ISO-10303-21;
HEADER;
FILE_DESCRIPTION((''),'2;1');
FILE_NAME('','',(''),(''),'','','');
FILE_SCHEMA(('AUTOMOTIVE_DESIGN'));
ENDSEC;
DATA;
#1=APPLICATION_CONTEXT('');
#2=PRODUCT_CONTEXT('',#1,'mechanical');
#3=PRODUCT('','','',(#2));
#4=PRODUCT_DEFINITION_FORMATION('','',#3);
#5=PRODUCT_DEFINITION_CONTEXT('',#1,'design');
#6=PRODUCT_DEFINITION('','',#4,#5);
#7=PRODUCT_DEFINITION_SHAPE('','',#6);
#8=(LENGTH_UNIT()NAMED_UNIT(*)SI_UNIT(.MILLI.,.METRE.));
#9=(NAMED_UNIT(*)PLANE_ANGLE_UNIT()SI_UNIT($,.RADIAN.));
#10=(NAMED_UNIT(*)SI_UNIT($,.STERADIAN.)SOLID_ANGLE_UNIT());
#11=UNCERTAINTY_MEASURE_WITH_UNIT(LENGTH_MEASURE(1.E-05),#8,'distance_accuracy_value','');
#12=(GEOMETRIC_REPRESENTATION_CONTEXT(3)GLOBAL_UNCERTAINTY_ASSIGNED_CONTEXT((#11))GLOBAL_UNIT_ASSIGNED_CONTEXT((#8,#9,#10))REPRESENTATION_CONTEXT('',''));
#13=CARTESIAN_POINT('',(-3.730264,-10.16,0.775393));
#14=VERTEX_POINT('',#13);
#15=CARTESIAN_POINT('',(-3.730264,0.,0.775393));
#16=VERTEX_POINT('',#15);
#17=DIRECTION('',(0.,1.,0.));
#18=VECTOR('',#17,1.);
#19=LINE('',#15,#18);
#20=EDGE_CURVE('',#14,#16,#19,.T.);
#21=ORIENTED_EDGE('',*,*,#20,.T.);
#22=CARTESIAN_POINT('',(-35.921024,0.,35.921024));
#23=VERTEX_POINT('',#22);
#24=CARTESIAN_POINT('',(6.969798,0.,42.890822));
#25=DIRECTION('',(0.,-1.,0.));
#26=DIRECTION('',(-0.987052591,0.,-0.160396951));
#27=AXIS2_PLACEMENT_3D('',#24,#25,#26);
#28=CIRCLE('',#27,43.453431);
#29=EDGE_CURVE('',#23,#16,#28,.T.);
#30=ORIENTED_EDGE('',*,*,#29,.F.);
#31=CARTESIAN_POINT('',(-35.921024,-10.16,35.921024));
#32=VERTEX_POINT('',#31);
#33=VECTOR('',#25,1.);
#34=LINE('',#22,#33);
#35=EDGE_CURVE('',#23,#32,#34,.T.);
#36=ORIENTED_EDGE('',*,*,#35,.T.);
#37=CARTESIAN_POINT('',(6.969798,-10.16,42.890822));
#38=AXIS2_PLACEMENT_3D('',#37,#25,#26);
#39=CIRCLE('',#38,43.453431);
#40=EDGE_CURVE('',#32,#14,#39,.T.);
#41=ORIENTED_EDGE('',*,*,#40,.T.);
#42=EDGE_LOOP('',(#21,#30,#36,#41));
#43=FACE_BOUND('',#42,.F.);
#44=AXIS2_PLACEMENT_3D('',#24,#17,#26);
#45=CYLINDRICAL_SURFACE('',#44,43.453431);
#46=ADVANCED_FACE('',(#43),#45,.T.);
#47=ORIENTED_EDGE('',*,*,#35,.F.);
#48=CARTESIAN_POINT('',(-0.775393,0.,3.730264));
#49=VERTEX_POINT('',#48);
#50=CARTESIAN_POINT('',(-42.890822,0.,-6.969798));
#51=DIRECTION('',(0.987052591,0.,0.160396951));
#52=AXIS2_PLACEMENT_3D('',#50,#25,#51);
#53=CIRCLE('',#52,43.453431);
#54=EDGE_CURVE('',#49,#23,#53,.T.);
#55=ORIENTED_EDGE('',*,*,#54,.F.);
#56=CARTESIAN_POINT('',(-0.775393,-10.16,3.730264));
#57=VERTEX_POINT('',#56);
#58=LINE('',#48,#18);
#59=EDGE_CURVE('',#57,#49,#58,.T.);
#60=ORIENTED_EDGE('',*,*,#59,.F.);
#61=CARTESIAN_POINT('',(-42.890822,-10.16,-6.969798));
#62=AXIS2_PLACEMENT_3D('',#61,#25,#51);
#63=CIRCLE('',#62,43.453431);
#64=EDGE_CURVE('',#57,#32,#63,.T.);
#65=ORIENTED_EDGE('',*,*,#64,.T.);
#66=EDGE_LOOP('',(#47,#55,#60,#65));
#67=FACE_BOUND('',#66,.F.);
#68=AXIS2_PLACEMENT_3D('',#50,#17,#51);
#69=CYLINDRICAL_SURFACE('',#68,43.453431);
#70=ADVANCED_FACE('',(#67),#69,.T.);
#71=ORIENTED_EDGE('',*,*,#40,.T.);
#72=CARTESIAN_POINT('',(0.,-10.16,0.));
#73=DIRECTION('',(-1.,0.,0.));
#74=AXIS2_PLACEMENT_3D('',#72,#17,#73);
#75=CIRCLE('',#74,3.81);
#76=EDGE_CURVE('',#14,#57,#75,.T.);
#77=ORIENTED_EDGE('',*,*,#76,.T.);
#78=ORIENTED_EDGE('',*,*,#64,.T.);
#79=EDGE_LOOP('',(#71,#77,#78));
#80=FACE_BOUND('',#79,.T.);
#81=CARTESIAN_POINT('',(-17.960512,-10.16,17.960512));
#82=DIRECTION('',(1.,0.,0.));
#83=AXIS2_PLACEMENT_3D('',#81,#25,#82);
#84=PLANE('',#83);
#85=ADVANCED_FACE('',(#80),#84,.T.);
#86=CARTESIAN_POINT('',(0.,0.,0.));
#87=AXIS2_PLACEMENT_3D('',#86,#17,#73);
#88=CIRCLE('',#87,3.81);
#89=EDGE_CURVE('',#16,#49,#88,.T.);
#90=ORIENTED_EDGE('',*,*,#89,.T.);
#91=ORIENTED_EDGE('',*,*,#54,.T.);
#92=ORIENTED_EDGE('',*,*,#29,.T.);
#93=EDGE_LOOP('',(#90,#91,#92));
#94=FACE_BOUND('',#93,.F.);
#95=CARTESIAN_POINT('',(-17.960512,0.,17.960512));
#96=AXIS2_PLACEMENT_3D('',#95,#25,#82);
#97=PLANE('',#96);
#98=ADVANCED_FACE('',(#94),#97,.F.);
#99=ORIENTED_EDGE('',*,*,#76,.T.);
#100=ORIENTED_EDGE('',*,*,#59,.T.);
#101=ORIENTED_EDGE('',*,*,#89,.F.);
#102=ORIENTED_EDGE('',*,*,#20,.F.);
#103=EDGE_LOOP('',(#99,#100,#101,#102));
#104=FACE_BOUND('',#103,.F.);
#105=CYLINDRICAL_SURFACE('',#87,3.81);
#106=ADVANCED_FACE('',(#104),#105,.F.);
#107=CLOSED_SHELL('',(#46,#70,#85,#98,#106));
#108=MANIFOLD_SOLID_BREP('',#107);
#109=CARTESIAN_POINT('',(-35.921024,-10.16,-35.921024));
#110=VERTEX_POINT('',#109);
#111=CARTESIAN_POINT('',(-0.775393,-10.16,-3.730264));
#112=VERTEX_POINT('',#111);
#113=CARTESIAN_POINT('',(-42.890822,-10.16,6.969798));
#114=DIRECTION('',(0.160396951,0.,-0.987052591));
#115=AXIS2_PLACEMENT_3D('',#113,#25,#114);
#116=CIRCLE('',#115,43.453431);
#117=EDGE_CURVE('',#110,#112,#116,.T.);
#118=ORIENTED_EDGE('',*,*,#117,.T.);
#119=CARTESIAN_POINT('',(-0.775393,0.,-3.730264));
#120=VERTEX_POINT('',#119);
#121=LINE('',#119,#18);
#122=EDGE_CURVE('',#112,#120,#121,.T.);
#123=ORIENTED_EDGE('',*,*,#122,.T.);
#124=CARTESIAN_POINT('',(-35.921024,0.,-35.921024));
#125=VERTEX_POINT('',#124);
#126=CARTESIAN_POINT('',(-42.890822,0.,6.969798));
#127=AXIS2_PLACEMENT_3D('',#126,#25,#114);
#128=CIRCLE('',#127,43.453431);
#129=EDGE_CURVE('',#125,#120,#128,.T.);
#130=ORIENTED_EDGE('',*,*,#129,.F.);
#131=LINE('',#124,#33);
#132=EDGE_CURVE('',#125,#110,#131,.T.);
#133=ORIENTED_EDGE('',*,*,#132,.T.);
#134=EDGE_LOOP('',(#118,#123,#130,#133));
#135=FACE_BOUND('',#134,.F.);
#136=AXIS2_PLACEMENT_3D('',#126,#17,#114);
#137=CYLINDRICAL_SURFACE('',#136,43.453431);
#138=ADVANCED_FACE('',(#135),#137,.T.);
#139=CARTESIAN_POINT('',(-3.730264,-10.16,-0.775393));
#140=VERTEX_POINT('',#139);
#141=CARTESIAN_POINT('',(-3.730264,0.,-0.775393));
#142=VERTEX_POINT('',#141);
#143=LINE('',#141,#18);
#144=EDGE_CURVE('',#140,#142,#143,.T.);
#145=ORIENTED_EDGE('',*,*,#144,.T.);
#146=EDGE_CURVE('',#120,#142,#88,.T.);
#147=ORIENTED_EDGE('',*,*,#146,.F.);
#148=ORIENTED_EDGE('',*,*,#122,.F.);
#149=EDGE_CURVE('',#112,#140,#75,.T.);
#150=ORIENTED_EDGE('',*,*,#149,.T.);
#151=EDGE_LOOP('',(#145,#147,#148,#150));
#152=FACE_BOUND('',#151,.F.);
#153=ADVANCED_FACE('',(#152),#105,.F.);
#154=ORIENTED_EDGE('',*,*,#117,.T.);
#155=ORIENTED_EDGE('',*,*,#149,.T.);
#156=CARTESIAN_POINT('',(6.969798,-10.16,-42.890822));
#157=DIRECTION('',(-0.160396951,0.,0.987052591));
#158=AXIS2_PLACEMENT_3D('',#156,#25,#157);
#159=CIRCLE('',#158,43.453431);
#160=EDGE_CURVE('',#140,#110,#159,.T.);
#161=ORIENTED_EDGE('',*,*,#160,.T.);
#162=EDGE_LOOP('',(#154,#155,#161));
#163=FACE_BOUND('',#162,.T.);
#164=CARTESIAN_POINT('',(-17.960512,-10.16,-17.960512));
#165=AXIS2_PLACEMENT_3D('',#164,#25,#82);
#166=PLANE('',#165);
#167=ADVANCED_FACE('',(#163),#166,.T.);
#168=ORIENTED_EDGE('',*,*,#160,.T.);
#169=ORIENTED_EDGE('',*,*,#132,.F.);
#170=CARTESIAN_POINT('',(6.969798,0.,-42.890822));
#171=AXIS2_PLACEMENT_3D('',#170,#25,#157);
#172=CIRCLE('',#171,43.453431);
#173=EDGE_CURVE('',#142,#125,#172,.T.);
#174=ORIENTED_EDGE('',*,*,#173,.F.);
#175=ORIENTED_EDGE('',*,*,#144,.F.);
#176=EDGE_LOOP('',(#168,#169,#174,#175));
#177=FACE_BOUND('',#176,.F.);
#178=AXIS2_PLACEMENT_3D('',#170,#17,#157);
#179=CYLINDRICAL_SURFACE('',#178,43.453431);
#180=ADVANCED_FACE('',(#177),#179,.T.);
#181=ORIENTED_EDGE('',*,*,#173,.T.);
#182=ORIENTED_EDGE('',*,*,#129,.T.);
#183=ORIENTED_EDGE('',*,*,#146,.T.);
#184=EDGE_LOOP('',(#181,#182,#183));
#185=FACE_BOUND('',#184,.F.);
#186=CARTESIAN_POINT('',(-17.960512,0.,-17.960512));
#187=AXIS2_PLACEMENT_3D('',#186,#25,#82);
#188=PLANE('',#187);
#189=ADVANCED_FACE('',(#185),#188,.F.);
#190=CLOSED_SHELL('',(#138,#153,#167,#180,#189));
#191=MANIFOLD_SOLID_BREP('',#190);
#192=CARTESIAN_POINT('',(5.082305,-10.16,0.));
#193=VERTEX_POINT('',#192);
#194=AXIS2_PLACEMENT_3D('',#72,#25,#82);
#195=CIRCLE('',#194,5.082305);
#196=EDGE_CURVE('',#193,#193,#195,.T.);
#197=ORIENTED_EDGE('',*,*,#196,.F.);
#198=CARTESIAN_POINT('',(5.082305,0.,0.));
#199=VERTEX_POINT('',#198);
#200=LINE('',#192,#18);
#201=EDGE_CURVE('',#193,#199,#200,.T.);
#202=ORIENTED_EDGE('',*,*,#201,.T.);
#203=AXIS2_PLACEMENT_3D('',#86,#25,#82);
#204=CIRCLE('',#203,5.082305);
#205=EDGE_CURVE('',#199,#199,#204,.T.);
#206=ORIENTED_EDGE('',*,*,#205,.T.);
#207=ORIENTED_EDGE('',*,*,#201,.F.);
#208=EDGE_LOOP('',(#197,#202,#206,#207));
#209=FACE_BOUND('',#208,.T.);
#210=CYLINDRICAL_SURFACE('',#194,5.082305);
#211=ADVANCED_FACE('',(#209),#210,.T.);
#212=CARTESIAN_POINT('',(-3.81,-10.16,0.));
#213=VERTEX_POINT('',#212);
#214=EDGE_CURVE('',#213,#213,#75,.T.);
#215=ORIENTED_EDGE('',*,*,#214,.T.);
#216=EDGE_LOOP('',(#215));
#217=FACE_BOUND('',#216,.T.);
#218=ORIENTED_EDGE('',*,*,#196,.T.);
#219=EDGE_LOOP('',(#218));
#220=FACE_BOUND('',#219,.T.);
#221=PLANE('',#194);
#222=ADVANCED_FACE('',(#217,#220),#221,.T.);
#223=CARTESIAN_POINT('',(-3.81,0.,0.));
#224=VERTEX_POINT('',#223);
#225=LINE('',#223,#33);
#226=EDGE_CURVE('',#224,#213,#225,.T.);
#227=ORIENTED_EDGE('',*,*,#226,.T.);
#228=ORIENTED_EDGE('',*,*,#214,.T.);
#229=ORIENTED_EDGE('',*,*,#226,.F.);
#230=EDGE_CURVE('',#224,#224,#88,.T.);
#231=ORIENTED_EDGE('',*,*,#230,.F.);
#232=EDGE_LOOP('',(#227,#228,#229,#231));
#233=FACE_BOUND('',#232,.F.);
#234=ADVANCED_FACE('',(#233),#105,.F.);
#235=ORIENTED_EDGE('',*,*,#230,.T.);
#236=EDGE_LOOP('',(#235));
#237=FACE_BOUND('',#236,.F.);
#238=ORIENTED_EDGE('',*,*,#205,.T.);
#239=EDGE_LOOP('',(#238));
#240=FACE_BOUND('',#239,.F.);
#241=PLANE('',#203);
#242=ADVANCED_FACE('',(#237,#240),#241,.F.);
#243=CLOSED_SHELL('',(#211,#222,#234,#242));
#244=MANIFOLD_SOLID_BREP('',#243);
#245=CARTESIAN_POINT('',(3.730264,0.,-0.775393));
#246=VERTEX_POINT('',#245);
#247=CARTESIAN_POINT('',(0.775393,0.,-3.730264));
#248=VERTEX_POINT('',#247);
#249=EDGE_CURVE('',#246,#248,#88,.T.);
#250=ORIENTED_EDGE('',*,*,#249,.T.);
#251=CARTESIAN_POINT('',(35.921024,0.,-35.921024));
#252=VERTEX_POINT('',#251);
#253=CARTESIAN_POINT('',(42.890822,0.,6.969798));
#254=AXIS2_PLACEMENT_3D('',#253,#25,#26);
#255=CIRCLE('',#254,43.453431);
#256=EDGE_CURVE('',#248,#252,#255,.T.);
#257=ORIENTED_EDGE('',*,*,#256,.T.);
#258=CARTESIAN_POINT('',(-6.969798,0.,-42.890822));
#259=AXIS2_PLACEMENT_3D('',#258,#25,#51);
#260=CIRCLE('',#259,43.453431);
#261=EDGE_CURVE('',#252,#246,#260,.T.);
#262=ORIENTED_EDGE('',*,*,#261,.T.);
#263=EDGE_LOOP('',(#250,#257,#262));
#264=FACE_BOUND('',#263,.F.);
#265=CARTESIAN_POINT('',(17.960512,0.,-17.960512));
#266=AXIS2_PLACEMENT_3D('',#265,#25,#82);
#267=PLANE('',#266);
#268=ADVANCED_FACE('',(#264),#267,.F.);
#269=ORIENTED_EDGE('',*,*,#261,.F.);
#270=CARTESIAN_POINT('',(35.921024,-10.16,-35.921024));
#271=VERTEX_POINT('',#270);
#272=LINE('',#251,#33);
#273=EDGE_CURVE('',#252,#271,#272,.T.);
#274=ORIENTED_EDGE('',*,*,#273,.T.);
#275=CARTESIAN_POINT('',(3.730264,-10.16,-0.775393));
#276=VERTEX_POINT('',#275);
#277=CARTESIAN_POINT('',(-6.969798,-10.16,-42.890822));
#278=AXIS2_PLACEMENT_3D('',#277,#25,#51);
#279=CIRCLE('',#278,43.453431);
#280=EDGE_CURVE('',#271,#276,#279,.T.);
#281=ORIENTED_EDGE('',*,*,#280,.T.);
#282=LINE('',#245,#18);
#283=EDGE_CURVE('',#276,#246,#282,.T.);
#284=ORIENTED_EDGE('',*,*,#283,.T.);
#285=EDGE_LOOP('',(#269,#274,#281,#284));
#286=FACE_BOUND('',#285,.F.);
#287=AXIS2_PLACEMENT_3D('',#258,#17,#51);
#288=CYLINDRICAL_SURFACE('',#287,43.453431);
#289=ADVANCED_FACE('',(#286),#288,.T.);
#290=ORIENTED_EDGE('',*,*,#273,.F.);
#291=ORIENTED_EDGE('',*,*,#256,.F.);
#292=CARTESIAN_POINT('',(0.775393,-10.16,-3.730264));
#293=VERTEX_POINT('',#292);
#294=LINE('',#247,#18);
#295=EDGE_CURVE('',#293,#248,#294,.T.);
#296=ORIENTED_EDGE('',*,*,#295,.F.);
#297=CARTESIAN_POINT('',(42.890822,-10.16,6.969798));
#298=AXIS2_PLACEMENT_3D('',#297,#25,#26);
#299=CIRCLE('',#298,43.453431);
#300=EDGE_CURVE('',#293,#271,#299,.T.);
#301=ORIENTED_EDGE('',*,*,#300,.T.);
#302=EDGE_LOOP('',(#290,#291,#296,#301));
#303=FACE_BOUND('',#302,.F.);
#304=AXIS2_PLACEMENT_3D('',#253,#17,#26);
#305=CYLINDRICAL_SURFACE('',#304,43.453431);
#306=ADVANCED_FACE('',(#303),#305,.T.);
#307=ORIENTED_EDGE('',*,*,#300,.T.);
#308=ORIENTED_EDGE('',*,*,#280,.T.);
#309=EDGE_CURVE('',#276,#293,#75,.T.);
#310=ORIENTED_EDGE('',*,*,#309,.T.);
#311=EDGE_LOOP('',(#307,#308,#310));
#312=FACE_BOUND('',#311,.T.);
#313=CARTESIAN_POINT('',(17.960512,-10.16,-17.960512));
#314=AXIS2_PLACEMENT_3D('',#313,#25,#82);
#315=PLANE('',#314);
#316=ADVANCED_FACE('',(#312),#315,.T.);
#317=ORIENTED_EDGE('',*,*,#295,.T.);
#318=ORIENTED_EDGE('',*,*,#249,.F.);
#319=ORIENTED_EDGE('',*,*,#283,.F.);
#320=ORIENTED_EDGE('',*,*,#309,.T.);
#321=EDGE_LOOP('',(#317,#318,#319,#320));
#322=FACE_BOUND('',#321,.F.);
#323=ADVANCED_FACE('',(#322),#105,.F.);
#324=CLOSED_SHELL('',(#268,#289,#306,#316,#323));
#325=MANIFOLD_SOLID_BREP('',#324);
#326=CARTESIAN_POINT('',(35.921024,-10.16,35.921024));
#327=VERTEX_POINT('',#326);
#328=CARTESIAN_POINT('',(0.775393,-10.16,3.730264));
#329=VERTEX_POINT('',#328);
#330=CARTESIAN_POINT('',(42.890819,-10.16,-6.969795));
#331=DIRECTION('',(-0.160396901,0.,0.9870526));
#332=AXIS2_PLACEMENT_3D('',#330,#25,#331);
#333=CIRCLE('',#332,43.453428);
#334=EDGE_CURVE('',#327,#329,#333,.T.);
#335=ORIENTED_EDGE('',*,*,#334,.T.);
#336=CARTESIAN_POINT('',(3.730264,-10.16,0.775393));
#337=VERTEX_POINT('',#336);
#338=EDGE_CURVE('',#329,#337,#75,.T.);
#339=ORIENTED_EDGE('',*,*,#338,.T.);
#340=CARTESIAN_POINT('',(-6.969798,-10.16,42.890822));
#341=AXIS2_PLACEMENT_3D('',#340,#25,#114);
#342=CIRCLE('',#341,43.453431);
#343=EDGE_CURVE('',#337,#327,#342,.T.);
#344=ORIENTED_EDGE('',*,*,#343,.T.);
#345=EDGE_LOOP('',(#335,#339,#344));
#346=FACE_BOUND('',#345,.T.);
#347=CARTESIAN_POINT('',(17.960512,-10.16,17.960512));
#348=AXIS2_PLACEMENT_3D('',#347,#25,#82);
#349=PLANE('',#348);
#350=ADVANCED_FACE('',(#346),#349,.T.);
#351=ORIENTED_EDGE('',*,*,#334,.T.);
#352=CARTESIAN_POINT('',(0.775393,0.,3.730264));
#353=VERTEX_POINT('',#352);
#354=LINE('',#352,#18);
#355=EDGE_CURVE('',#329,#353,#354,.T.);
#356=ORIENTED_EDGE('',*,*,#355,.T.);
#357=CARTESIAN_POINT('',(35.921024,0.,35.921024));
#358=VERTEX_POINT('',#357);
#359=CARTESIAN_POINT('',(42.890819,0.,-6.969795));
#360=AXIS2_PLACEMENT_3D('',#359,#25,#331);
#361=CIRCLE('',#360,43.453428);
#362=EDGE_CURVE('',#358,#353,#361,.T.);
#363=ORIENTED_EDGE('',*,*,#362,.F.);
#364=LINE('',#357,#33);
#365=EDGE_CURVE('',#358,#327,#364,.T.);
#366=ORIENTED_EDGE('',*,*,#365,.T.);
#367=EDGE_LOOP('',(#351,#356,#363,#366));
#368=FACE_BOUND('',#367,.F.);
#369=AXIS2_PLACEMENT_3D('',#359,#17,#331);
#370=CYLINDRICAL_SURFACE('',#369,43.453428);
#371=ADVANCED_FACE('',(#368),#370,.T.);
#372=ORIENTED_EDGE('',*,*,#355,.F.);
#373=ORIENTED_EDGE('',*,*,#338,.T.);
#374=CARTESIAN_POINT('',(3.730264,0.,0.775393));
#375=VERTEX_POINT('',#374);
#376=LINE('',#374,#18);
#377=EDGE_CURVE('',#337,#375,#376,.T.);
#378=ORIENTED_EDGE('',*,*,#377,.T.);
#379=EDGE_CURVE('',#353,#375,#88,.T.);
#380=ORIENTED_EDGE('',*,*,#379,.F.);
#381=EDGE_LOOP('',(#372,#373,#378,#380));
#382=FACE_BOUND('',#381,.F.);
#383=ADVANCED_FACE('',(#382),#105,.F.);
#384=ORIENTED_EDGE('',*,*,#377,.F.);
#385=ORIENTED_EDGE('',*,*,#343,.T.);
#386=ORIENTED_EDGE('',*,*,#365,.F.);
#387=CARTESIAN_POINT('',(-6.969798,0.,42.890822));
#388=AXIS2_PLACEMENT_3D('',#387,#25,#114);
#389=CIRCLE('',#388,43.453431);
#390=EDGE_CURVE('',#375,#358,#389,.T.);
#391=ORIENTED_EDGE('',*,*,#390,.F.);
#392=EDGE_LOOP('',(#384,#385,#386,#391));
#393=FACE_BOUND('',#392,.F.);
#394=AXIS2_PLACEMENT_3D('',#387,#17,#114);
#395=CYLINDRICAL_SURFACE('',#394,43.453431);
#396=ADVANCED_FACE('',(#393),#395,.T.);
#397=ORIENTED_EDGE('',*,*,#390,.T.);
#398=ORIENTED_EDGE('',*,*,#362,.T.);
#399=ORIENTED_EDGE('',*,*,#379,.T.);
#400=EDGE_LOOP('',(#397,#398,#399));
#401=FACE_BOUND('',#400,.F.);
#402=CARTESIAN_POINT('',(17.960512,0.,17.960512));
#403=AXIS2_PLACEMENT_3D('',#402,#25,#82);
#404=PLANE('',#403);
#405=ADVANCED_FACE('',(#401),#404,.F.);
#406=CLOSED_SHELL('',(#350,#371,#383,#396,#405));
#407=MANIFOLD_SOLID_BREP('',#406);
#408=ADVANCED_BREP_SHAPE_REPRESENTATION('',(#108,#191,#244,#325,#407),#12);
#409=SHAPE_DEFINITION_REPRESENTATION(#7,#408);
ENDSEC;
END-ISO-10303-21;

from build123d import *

# Parameters (mm, degrees)
F1_DEPTH = 10.16
F2_R     = 5.082305
F3_DEPTH = 10.16
F4_R     = 3.81
F5_DEPTH = 37.338


with BuildPart() as f1:
    # F0 (on Front) → F1 (new body)
    with BuildSketch(Plane.XZ):
        with BuildLine():
            ThreePointArc((0, 0), (23.756418, 12.164606), (35.921024, 35.921024))
            ThreePointArc((35.921024, 35.921024), (12.164606, 23.756419), (0, 0))
        make_face()
        with BuildLine():
            ThreePointArc((-35.921024, -35.921024), (-12.164606, -23.756418), (0, 0))
            ThreePointArc((0, 0), (-23.756418, -12.164606), (-35.921024, -35.921024))
        make_face()
        with BuildLine():
            ThreePointArc((0, 0), (-12.164606, 23.756418), (-35.921024, 35.921024))
            ThreePointArc((-35.921024, 35.921024), (-23.756418, 12.164606), (0, 0))
        make_face()
        with BuildLine():
            ThreePointArc((0, 0), (12.164606, -23.756418), (35.921024, -35.921024))
            ThreePointArc((35.921024, -35.921024), (23.756418, -12.164606), (0, 0))
        make_face()
    extrude(amount=F1_DEPTH)


with BuildPart() as f3:
    # F2 (on face) → F3 (new body)
    with BuildSketch(Plane.XZ.offset(10.16)):
        Circle(F2_R)
    extrude(amount=-F3_DEPTH)


with BuildPart() as f5_tool:
    # F4 (on face) → F5 (new body)
    with BuildSketch(Plane(origin=(0, 0, 0), x_dir=(-1, 0, 0), z_dir=(0, 1, 0))):
        Circle(F4_R)
    extrude(amount=-F5_DEPTH)


with BuildPart() as f1_1:
    add(f1.part)

    # F5: cut by f5_tool
    add(f5_tool.part, mode=Mode.SUBTRACT)


with BuildPart() as f3_1:
    add(f3.part)

    # F5: cut by f5_tool
    add(f5_tool.part, mode=Mode.SUBTRACT)


solid = Compound([f1_1.part, f3_1.part])
